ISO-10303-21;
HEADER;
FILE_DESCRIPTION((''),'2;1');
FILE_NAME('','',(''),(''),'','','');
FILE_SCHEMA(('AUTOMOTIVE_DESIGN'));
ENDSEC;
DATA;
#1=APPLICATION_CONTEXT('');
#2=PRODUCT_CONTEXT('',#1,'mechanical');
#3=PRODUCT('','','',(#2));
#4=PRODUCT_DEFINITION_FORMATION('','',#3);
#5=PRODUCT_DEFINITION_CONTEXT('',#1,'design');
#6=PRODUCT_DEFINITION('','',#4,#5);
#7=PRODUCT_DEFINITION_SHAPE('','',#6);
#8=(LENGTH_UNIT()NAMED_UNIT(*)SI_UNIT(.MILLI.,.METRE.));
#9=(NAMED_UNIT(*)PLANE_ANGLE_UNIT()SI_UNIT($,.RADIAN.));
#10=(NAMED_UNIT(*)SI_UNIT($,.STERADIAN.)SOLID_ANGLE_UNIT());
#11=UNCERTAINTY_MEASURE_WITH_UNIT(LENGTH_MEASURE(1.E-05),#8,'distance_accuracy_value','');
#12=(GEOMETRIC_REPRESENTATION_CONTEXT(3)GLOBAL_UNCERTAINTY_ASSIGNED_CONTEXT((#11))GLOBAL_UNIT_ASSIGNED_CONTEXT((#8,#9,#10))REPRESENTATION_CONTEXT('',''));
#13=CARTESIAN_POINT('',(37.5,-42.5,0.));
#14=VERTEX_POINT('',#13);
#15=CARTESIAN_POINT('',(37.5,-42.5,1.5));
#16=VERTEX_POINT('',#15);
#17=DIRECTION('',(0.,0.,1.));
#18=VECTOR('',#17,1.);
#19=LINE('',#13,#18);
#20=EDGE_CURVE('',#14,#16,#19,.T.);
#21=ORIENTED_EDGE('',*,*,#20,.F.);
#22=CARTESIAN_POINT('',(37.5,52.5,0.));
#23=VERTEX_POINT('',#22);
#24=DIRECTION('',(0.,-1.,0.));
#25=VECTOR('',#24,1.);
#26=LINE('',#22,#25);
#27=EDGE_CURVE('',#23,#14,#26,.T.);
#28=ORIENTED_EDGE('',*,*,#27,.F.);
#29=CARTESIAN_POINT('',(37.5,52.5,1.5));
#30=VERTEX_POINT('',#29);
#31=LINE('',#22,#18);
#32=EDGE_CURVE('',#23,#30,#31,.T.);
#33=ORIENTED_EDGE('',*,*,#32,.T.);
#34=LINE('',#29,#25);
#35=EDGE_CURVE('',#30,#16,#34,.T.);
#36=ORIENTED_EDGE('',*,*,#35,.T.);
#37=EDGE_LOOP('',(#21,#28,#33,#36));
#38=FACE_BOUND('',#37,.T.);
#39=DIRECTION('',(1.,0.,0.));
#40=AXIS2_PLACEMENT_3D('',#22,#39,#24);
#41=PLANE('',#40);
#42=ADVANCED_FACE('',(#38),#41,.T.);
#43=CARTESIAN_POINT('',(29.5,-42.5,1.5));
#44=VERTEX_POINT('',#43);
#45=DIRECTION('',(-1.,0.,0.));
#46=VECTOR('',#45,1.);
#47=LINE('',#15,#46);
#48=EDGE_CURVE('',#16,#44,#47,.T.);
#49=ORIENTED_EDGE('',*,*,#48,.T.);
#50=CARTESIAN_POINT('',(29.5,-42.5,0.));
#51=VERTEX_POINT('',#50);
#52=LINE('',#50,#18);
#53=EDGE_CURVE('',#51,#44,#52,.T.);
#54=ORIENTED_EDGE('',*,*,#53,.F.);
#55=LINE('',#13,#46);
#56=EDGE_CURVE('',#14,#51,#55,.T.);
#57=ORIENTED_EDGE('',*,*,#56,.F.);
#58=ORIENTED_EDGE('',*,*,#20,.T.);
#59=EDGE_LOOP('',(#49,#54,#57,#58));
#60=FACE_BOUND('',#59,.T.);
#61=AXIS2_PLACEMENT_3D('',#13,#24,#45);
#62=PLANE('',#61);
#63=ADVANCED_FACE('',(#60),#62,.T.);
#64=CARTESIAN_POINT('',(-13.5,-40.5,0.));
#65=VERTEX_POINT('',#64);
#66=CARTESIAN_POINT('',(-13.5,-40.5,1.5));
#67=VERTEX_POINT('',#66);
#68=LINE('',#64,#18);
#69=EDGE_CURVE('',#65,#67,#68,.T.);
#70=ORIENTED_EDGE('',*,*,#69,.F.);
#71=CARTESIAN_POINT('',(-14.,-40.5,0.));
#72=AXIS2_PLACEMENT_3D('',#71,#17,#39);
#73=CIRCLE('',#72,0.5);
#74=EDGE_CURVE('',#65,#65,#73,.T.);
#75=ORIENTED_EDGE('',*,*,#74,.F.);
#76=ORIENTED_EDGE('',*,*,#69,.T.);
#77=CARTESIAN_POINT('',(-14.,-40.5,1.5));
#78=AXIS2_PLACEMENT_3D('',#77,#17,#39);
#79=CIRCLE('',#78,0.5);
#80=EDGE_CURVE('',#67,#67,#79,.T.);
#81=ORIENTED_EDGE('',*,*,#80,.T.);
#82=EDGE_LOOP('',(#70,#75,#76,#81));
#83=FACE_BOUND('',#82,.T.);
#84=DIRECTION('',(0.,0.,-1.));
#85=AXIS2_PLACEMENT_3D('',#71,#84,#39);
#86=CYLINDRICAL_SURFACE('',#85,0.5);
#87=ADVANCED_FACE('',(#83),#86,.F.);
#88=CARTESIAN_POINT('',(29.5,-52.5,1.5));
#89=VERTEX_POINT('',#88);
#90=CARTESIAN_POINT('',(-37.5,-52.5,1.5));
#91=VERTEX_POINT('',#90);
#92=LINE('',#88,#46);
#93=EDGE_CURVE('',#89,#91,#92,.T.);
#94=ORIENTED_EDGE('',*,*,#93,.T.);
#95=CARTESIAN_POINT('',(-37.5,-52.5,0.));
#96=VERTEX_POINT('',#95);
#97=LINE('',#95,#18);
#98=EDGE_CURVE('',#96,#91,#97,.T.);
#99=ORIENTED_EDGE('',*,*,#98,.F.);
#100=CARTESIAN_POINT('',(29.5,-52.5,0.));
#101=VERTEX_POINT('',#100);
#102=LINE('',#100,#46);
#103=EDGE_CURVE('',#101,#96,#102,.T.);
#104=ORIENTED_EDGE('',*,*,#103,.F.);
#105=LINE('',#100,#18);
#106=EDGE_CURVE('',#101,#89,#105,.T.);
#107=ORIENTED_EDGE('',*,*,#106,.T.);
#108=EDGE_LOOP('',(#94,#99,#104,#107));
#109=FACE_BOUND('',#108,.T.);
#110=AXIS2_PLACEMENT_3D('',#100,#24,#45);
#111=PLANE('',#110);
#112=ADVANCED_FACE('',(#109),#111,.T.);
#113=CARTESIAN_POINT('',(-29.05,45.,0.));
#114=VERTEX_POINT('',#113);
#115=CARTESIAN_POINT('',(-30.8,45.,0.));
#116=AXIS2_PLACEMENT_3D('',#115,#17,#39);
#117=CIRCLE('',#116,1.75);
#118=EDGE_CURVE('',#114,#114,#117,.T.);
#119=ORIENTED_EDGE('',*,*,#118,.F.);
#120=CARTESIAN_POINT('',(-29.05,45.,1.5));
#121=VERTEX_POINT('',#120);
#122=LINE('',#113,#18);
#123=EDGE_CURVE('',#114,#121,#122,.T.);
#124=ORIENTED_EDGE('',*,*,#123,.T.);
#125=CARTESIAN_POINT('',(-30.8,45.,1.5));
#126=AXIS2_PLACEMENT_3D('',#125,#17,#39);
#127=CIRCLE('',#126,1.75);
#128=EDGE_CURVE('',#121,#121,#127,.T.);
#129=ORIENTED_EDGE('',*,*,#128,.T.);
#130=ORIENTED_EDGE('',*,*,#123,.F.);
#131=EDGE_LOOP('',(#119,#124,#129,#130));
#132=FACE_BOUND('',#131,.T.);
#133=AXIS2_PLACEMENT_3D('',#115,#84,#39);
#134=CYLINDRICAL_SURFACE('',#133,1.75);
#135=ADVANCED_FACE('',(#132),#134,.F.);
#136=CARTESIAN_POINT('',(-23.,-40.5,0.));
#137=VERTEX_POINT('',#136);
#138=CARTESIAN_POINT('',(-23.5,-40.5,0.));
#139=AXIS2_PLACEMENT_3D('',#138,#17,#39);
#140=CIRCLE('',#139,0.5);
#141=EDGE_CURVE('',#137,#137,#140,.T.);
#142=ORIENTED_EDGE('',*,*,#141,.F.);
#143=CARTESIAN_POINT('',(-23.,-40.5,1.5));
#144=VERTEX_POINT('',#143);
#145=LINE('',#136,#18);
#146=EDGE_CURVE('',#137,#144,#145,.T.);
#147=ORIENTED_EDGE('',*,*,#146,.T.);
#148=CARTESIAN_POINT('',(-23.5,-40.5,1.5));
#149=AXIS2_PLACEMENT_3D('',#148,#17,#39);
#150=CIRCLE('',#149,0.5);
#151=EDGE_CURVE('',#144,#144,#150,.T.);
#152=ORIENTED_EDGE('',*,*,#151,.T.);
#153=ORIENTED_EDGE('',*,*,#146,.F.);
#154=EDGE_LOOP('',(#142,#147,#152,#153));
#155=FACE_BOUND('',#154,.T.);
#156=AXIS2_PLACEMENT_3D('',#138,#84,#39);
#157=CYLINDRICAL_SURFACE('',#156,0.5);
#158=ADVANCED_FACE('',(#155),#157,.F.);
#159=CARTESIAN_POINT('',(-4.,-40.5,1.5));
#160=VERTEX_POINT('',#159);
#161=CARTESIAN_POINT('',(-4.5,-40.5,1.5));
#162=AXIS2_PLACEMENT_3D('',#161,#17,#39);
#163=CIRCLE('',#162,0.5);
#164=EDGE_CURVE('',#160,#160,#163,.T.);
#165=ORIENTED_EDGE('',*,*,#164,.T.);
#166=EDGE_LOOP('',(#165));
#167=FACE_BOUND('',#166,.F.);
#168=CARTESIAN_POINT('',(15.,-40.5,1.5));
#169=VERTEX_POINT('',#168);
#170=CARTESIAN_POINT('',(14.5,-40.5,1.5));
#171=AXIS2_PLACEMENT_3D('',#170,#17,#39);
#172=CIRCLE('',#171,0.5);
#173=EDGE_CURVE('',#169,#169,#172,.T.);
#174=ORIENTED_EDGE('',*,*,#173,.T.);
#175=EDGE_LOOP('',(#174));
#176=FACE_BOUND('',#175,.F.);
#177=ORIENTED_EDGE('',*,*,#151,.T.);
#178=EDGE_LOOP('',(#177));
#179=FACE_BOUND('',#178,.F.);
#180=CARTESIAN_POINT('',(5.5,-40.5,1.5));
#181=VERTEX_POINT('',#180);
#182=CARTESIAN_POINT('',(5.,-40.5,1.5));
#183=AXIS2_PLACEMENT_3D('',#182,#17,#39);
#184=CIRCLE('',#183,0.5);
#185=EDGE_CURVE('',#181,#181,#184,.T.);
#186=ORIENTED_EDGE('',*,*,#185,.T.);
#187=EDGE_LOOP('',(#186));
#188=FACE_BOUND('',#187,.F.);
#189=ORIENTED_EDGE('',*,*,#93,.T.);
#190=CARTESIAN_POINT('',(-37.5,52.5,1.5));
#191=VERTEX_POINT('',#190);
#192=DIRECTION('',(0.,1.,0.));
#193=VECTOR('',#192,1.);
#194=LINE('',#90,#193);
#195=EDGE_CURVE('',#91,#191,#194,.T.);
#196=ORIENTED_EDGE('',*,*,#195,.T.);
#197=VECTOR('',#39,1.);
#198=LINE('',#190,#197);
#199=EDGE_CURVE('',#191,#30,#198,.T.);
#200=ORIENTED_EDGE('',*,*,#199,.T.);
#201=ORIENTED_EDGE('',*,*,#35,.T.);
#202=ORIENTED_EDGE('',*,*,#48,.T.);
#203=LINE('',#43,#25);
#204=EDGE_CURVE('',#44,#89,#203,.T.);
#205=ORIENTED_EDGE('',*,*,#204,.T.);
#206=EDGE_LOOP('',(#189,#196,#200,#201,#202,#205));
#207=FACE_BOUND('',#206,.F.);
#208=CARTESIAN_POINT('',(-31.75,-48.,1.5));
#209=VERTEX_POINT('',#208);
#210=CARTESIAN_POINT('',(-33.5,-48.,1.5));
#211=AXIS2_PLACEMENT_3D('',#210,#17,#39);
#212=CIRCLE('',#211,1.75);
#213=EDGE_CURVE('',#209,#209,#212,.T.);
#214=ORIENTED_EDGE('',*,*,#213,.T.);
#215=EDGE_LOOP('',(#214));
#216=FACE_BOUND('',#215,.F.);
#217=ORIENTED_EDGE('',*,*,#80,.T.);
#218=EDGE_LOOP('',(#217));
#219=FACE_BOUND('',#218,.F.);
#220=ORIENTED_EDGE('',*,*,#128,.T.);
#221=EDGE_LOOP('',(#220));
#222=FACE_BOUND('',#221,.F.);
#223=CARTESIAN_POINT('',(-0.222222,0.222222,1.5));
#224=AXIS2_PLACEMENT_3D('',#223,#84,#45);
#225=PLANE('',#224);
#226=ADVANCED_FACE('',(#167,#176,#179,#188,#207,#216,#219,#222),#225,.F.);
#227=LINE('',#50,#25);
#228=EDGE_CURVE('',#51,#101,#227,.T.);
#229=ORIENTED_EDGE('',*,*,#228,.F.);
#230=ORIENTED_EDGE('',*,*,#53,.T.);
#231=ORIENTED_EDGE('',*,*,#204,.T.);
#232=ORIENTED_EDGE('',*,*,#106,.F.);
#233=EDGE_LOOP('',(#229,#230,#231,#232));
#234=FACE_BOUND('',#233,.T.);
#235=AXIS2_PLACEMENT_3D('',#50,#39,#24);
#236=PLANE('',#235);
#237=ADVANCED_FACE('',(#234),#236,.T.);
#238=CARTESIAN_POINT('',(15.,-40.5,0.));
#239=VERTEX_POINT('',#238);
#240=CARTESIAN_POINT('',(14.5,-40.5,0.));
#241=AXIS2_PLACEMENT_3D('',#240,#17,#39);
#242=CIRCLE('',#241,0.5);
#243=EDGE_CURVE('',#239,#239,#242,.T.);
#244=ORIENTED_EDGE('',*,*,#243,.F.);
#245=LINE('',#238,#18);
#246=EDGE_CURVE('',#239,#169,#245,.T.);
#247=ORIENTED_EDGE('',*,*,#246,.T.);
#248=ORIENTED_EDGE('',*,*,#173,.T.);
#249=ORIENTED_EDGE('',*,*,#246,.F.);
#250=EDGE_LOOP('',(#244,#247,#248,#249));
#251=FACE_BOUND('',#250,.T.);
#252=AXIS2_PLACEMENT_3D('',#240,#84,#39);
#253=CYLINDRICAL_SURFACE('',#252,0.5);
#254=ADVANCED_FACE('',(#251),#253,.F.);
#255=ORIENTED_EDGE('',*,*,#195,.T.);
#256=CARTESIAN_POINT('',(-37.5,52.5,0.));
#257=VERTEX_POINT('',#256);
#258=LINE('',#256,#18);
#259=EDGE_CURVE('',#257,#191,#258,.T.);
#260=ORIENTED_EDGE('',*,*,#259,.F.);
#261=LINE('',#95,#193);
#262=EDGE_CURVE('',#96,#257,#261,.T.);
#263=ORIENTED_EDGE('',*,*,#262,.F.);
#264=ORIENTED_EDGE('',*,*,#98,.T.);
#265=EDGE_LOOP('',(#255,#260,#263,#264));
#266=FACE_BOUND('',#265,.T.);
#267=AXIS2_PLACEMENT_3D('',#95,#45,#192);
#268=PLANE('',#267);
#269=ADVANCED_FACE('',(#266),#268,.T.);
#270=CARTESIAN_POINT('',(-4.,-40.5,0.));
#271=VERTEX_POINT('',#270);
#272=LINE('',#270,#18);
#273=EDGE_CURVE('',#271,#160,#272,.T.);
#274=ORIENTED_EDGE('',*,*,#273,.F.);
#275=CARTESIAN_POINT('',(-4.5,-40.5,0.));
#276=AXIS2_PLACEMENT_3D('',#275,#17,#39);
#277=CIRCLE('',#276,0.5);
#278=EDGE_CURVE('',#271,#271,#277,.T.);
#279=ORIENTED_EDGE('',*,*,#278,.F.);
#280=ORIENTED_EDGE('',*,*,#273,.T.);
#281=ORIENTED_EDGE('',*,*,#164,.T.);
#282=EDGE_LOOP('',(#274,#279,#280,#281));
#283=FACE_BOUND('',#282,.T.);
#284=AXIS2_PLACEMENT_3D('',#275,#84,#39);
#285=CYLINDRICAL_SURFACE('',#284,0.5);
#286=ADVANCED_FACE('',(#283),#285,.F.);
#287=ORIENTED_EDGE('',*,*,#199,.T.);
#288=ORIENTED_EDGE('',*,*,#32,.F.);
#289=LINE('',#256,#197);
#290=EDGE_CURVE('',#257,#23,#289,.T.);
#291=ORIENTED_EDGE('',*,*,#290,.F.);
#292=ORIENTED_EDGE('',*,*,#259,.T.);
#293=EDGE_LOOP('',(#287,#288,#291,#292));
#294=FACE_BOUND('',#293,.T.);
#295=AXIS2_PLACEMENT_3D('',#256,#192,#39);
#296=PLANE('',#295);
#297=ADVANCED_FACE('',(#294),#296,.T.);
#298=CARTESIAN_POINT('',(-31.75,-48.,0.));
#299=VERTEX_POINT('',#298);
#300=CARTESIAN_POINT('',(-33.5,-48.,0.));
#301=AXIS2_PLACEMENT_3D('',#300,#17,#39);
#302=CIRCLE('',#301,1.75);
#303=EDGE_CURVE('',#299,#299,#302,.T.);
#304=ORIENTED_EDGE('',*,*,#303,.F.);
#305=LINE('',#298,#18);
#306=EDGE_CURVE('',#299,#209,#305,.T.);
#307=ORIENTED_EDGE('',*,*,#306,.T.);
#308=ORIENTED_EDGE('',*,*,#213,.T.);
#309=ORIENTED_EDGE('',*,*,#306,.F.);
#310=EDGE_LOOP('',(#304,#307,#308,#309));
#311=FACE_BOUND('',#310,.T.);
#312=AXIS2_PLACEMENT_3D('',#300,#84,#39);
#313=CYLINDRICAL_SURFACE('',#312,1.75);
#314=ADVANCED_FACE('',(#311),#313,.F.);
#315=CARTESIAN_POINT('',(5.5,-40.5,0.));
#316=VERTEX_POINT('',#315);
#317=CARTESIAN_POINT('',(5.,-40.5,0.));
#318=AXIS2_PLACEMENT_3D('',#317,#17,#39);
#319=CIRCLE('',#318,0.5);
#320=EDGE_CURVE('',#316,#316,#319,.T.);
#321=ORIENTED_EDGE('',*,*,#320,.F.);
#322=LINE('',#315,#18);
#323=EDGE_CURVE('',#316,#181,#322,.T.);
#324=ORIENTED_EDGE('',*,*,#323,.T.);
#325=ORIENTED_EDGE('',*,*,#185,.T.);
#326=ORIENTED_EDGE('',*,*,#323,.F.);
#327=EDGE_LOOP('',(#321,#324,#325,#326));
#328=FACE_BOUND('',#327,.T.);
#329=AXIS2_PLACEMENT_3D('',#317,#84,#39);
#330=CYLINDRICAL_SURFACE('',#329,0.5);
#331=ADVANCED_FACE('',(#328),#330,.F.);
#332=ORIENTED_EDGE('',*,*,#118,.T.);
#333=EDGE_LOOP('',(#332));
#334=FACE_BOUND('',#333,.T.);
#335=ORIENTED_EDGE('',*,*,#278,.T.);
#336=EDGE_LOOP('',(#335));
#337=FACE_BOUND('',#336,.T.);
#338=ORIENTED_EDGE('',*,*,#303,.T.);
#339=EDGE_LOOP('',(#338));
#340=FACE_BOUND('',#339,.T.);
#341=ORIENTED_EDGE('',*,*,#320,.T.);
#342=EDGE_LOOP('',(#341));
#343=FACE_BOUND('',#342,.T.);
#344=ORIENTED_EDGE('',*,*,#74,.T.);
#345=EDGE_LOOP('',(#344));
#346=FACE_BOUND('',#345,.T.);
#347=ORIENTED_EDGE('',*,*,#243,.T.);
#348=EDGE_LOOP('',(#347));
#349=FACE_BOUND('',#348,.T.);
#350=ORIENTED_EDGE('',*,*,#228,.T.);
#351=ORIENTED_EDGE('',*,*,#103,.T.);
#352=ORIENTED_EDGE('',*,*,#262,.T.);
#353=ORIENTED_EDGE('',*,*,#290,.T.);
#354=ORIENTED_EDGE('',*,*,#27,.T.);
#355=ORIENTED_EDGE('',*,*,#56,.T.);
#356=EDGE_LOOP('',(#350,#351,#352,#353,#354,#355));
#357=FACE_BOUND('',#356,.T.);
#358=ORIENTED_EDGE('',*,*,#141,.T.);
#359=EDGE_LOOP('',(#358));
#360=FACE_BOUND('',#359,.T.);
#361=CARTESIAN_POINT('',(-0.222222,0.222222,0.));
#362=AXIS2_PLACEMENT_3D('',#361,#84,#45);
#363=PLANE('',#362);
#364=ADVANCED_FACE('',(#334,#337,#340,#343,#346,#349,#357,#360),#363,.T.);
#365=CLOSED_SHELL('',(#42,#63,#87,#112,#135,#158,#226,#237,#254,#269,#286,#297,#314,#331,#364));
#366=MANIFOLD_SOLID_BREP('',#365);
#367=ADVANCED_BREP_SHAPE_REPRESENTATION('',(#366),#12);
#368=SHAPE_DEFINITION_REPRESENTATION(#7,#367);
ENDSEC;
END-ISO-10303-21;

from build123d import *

# Parameters (mm, degrees)
SKETCH_R   = 1.75
SKETCH_R_2 = 0.5
PAD_DEPTH  = 1.5


with BuildPart() as part:
    # Sketch → Pad (new body)
    with BuildSketch(Plane.XY):
        Polygon((-37.5, 52.5), (37.5, 52.5), (37.5, -42.5), (29.5, -42.5), (29.5, -52.5), (-37.5, -52.5), align=None)
        with Locations((-33.5, -48)):
            Circle(SKETCH_R, mode=Mode.SUBTRACT)
        with Locations((-30.8, 45)):
            Circle(SKETCH_R, mode=Mode.SUBTRACT)
        with Locations((-23.5, -40.5)):
            Circle(SKETCH_R_2, mode=Mode.SUBTRACT)
        with Locations((-14, -40.5)):
            Circle(SKETCH_R_2, mode=Mode.SUBTRACT)
        with Locations((-4.5, -40.5)):
            Circle(SKETCH_R_2, mode=Mode.SUBTRACT)
        with Locations((5, -40.5)):
            Circle(SKETCH_R_2, mode=Mode.SUBTRACT)
        with Locations((14.5, -40.5)):
            Circle(SKETCH_R_2, mode=Mode.SUBTRACT)
    extrude(amount=PAD_DEPTH)


solid = part.part
